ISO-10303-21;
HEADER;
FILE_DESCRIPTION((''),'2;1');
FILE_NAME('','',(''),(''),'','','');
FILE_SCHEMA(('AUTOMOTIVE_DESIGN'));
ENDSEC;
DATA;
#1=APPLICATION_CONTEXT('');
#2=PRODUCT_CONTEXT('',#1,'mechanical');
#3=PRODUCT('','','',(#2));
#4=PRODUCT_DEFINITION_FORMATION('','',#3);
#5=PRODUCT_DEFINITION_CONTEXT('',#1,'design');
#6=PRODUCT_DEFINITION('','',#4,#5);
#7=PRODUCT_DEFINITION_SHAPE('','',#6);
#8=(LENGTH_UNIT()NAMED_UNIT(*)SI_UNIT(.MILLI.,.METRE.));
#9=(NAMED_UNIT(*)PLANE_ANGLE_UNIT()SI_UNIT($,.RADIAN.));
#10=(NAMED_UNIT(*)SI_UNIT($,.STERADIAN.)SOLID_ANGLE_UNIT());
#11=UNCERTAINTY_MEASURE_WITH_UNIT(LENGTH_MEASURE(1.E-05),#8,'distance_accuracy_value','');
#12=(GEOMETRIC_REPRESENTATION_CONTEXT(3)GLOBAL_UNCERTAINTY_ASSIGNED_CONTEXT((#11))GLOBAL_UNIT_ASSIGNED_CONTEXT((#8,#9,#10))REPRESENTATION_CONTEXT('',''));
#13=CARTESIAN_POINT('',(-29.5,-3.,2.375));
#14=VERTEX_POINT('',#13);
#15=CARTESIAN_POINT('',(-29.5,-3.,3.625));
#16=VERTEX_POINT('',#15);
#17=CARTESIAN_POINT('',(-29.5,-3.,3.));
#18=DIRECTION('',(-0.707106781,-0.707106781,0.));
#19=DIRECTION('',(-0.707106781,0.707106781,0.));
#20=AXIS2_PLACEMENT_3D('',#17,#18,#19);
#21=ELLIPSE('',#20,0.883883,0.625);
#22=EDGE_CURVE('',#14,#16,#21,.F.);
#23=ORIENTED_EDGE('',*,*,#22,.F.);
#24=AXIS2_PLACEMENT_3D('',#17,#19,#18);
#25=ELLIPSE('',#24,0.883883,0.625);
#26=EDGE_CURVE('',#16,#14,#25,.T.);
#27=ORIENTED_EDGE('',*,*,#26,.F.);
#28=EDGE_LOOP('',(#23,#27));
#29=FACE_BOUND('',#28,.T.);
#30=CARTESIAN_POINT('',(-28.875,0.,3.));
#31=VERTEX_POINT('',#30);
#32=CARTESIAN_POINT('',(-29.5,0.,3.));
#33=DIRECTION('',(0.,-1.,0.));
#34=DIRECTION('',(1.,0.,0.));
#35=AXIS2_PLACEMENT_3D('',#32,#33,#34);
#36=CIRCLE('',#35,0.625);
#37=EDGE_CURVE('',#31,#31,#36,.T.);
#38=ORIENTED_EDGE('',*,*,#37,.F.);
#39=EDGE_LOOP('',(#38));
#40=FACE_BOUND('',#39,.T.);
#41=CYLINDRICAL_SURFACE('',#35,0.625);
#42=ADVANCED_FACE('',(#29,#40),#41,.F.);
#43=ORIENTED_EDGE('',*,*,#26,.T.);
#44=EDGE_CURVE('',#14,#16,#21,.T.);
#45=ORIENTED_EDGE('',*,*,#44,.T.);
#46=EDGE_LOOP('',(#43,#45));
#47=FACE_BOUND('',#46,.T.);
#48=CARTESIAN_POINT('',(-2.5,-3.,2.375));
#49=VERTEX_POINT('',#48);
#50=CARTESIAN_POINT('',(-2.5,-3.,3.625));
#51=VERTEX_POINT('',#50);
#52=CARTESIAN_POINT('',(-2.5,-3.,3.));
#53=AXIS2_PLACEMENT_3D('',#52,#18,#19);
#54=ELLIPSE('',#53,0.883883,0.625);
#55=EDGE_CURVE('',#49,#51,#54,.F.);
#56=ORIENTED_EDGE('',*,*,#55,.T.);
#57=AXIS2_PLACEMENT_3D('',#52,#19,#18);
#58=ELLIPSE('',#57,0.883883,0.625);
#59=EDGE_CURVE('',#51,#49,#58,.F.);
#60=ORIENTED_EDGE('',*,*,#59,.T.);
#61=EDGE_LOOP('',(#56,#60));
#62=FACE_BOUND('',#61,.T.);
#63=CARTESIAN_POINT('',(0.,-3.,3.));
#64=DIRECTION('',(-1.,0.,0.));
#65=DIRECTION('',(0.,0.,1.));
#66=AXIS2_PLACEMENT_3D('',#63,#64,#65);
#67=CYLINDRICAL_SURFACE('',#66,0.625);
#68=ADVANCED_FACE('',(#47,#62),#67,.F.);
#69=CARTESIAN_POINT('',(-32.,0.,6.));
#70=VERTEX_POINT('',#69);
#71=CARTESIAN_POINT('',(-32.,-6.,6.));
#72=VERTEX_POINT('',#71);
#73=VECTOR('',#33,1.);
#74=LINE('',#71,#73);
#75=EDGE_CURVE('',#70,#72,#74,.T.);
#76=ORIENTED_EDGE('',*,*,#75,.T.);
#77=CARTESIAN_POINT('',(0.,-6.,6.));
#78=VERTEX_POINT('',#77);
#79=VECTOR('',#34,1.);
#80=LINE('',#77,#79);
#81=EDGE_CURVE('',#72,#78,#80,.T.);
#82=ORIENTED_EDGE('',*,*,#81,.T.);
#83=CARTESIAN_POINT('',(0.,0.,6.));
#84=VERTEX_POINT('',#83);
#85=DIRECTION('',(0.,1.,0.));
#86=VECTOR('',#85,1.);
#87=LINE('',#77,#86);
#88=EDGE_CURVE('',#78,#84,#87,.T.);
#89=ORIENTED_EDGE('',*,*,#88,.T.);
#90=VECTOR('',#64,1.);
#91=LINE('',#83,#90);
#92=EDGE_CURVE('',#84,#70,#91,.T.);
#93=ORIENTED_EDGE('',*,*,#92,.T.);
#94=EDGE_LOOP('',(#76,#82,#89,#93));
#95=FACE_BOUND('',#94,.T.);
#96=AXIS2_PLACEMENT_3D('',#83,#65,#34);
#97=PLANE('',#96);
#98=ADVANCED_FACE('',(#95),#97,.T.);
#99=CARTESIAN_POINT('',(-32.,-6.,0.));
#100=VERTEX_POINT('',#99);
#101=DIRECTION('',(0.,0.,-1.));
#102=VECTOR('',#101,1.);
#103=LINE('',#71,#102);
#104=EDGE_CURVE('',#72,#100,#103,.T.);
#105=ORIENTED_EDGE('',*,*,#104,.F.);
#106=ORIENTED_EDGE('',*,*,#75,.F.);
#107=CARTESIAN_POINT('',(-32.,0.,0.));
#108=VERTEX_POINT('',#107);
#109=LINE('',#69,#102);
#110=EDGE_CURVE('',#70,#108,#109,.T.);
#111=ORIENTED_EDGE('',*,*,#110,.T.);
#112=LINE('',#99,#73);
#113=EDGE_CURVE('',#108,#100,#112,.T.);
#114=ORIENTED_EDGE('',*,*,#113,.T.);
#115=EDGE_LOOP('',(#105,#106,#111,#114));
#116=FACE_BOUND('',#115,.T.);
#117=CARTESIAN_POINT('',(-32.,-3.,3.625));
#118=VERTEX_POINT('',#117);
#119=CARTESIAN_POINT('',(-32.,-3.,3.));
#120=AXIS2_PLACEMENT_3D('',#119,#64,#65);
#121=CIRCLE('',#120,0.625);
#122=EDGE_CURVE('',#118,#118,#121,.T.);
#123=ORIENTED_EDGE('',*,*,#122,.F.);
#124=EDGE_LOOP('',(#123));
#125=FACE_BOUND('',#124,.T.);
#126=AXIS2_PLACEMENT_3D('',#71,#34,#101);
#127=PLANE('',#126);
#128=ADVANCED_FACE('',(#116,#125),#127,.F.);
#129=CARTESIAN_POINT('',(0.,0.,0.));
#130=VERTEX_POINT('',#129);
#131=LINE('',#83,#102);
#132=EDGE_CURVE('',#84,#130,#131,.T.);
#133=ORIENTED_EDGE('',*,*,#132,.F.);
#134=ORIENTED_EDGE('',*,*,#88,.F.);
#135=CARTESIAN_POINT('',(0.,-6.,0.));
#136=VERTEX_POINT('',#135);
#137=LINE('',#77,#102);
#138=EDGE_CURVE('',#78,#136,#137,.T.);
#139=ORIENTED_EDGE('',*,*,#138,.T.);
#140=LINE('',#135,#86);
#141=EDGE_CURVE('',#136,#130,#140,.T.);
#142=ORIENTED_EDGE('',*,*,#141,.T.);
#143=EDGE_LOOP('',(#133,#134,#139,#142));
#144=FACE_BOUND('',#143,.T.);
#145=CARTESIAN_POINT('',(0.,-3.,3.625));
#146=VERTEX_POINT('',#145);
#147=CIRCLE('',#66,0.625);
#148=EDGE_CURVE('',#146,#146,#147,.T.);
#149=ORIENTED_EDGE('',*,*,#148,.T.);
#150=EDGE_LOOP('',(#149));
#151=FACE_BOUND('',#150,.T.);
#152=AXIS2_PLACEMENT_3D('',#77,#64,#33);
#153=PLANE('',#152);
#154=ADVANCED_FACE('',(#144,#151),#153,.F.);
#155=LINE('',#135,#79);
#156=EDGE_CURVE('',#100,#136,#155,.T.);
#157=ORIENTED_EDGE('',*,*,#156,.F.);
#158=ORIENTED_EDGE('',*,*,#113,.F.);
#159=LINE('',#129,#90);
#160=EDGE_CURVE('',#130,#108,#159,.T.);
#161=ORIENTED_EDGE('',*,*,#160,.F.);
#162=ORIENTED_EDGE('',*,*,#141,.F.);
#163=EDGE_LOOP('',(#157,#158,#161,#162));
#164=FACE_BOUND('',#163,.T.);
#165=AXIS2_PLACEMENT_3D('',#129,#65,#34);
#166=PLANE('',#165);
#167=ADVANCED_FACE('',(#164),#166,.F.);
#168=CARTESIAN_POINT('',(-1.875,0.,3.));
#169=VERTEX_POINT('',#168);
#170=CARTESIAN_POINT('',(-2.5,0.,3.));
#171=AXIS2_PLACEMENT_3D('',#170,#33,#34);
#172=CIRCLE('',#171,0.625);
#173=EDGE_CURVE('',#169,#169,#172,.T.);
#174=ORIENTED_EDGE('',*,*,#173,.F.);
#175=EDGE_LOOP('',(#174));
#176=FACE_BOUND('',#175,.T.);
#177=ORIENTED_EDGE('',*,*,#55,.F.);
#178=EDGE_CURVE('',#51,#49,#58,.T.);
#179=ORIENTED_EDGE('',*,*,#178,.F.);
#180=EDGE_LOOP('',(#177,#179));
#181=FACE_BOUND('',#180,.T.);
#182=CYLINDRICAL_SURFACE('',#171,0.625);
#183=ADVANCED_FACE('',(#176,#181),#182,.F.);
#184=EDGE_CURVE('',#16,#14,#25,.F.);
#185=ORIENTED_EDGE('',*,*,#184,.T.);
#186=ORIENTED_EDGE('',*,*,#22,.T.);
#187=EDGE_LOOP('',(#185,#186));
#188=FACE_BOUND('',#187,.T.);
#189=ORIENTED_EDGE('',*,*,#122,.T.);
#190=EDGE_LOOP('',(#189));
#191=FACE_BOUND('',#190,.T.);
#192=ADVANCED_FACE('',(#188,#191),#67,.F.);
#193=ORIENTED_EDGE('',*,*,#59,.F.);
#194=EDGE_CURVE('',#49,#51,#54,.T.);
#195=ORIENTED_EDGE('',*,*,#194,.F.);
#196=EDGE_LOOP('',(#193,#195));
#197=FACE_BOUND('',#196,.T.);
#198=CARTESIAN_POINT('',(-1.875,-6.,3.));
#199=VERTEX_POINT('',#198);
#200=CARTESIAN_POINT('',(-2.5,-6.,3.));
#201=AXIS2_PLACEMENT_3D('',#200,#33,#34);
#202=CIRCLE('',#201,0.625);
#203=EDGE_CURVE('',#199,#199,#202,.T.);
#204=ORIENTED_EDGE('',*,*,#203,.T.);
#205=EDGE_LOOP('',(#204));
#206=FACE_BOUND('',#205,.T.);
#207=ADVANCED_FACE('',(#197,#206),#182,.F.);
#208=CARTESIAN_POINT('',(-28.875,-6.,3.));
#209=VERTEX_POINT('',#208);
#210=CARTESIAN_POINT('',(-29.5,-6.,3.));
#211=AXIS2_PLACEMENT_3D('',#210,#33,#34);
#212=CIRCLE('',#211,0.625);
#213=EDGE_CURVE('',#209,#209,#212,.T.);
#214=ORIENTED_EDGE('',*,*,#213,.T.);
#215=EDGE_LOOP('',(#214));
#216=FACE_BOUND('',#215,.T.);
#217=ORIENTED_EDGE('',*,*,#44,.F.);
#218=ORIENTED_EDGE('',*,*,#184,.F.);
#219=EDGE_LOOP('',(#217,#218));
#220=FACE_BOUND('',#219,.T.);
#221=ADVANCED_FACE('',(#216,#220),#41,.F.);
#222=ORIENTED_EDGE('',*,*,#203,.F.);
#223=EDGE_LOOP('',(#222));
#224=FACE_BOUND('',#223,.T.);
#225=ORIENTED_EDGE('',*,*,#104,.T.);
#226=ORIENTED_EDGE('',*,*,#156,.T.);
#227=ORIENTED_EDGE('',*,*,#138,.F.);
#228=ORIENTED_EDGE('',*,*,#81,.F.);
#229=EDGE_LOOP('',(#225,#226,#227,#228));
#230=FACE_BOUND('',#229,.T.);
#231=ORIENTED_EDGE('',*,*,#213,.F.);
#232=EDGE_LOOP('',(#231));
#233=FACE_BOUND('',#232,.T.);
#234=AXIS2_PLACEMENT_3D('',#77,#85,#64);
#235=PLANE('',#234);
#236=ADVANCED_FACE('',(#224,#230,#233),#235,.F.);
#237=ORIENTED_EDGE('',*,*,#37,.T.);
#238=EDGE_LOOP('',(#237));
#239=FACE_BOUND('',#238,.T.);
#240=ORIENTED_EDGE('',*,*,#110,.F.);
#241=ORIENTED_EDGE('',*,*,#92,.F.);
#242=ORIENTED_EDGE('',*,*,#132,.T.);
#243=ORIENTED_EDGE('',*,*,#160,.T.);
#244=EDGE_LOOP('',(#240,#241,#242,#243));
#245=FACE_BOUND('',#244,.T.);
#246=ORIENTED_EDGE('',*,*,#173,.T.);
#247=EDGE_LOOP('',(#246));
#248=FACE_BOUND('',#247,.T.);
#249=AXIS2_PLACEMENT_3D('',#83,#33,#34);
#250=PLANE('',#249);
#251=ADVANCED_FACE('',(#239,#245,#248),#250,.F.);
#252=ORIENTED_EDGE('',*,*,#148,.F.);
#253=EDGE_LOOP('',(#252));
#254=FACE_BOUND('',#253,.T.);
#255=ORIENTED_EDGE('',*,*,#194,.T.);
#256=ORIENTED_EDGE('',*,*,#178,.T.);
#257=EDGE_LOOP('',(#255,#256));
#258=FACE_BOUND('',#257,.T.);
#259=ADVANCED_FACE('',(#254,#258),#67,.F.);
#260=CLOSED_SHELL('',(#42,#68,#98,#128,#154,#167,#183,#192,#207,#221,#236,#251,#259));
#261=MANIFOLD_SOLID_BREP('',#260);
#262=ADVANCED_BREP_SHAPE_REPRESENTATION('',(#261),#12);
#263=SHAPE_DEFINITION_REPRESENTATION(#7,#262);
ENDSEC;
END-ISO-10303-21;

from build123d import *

# Parameters (mm, degrees)
ESQUISSE1_W             = 32
ESQUISSE1_H             = 6
BOSS_EXTRU_1_DEPTH      = 6
ESQUISSE2_R             = 0.625
ENL_V_MAT_EXTRU_1_DEPTH = 34.105890714
ESQUISSE3_R             = 0.625
ENL_V_MAT_EXTRU_2_DEPTH = 34.105890714


with BuildPart() as part:
    # Esquisse1 → Boss.-Extru.1 (new body)
    with BuildSketch(Plane.XY):
        with Locations((-16, -3)):
            Rectangle(ESQUISSE1_W, ESQUISSE1_H)
    extrude(amount=BOSS_EXTRU_1_DEPTH)

    # Esquisse2 → Enlèv. mat.-Extru.1 (cut, through all)
    with BuildSketch(Plane.ZY.offset(32)):
        with Locations((3, -3)):
            Circle(ESQUISSE2_R)
    extrude(amount=-ENL_V_MAT_EXTRU_1_DEPTH, mode=Mode.SUBTRACT)

    # Esquisse3 → Enlèv. mat.-Extru.2 (cut, through all)
    with BuildSketch(Plane.XZ.offset(6)):
        with Locations((-29.5, 3)):
            Circle(ESQUISSE3_R)
        with Locations((-2.5, 3)):
            Circle(ESQUISSE3_R)
    extrude(amount=-ENL_V_MAT_EXTRU_2_DEPTH, mode=Mode.SUBTRACT)


solid = part.part
